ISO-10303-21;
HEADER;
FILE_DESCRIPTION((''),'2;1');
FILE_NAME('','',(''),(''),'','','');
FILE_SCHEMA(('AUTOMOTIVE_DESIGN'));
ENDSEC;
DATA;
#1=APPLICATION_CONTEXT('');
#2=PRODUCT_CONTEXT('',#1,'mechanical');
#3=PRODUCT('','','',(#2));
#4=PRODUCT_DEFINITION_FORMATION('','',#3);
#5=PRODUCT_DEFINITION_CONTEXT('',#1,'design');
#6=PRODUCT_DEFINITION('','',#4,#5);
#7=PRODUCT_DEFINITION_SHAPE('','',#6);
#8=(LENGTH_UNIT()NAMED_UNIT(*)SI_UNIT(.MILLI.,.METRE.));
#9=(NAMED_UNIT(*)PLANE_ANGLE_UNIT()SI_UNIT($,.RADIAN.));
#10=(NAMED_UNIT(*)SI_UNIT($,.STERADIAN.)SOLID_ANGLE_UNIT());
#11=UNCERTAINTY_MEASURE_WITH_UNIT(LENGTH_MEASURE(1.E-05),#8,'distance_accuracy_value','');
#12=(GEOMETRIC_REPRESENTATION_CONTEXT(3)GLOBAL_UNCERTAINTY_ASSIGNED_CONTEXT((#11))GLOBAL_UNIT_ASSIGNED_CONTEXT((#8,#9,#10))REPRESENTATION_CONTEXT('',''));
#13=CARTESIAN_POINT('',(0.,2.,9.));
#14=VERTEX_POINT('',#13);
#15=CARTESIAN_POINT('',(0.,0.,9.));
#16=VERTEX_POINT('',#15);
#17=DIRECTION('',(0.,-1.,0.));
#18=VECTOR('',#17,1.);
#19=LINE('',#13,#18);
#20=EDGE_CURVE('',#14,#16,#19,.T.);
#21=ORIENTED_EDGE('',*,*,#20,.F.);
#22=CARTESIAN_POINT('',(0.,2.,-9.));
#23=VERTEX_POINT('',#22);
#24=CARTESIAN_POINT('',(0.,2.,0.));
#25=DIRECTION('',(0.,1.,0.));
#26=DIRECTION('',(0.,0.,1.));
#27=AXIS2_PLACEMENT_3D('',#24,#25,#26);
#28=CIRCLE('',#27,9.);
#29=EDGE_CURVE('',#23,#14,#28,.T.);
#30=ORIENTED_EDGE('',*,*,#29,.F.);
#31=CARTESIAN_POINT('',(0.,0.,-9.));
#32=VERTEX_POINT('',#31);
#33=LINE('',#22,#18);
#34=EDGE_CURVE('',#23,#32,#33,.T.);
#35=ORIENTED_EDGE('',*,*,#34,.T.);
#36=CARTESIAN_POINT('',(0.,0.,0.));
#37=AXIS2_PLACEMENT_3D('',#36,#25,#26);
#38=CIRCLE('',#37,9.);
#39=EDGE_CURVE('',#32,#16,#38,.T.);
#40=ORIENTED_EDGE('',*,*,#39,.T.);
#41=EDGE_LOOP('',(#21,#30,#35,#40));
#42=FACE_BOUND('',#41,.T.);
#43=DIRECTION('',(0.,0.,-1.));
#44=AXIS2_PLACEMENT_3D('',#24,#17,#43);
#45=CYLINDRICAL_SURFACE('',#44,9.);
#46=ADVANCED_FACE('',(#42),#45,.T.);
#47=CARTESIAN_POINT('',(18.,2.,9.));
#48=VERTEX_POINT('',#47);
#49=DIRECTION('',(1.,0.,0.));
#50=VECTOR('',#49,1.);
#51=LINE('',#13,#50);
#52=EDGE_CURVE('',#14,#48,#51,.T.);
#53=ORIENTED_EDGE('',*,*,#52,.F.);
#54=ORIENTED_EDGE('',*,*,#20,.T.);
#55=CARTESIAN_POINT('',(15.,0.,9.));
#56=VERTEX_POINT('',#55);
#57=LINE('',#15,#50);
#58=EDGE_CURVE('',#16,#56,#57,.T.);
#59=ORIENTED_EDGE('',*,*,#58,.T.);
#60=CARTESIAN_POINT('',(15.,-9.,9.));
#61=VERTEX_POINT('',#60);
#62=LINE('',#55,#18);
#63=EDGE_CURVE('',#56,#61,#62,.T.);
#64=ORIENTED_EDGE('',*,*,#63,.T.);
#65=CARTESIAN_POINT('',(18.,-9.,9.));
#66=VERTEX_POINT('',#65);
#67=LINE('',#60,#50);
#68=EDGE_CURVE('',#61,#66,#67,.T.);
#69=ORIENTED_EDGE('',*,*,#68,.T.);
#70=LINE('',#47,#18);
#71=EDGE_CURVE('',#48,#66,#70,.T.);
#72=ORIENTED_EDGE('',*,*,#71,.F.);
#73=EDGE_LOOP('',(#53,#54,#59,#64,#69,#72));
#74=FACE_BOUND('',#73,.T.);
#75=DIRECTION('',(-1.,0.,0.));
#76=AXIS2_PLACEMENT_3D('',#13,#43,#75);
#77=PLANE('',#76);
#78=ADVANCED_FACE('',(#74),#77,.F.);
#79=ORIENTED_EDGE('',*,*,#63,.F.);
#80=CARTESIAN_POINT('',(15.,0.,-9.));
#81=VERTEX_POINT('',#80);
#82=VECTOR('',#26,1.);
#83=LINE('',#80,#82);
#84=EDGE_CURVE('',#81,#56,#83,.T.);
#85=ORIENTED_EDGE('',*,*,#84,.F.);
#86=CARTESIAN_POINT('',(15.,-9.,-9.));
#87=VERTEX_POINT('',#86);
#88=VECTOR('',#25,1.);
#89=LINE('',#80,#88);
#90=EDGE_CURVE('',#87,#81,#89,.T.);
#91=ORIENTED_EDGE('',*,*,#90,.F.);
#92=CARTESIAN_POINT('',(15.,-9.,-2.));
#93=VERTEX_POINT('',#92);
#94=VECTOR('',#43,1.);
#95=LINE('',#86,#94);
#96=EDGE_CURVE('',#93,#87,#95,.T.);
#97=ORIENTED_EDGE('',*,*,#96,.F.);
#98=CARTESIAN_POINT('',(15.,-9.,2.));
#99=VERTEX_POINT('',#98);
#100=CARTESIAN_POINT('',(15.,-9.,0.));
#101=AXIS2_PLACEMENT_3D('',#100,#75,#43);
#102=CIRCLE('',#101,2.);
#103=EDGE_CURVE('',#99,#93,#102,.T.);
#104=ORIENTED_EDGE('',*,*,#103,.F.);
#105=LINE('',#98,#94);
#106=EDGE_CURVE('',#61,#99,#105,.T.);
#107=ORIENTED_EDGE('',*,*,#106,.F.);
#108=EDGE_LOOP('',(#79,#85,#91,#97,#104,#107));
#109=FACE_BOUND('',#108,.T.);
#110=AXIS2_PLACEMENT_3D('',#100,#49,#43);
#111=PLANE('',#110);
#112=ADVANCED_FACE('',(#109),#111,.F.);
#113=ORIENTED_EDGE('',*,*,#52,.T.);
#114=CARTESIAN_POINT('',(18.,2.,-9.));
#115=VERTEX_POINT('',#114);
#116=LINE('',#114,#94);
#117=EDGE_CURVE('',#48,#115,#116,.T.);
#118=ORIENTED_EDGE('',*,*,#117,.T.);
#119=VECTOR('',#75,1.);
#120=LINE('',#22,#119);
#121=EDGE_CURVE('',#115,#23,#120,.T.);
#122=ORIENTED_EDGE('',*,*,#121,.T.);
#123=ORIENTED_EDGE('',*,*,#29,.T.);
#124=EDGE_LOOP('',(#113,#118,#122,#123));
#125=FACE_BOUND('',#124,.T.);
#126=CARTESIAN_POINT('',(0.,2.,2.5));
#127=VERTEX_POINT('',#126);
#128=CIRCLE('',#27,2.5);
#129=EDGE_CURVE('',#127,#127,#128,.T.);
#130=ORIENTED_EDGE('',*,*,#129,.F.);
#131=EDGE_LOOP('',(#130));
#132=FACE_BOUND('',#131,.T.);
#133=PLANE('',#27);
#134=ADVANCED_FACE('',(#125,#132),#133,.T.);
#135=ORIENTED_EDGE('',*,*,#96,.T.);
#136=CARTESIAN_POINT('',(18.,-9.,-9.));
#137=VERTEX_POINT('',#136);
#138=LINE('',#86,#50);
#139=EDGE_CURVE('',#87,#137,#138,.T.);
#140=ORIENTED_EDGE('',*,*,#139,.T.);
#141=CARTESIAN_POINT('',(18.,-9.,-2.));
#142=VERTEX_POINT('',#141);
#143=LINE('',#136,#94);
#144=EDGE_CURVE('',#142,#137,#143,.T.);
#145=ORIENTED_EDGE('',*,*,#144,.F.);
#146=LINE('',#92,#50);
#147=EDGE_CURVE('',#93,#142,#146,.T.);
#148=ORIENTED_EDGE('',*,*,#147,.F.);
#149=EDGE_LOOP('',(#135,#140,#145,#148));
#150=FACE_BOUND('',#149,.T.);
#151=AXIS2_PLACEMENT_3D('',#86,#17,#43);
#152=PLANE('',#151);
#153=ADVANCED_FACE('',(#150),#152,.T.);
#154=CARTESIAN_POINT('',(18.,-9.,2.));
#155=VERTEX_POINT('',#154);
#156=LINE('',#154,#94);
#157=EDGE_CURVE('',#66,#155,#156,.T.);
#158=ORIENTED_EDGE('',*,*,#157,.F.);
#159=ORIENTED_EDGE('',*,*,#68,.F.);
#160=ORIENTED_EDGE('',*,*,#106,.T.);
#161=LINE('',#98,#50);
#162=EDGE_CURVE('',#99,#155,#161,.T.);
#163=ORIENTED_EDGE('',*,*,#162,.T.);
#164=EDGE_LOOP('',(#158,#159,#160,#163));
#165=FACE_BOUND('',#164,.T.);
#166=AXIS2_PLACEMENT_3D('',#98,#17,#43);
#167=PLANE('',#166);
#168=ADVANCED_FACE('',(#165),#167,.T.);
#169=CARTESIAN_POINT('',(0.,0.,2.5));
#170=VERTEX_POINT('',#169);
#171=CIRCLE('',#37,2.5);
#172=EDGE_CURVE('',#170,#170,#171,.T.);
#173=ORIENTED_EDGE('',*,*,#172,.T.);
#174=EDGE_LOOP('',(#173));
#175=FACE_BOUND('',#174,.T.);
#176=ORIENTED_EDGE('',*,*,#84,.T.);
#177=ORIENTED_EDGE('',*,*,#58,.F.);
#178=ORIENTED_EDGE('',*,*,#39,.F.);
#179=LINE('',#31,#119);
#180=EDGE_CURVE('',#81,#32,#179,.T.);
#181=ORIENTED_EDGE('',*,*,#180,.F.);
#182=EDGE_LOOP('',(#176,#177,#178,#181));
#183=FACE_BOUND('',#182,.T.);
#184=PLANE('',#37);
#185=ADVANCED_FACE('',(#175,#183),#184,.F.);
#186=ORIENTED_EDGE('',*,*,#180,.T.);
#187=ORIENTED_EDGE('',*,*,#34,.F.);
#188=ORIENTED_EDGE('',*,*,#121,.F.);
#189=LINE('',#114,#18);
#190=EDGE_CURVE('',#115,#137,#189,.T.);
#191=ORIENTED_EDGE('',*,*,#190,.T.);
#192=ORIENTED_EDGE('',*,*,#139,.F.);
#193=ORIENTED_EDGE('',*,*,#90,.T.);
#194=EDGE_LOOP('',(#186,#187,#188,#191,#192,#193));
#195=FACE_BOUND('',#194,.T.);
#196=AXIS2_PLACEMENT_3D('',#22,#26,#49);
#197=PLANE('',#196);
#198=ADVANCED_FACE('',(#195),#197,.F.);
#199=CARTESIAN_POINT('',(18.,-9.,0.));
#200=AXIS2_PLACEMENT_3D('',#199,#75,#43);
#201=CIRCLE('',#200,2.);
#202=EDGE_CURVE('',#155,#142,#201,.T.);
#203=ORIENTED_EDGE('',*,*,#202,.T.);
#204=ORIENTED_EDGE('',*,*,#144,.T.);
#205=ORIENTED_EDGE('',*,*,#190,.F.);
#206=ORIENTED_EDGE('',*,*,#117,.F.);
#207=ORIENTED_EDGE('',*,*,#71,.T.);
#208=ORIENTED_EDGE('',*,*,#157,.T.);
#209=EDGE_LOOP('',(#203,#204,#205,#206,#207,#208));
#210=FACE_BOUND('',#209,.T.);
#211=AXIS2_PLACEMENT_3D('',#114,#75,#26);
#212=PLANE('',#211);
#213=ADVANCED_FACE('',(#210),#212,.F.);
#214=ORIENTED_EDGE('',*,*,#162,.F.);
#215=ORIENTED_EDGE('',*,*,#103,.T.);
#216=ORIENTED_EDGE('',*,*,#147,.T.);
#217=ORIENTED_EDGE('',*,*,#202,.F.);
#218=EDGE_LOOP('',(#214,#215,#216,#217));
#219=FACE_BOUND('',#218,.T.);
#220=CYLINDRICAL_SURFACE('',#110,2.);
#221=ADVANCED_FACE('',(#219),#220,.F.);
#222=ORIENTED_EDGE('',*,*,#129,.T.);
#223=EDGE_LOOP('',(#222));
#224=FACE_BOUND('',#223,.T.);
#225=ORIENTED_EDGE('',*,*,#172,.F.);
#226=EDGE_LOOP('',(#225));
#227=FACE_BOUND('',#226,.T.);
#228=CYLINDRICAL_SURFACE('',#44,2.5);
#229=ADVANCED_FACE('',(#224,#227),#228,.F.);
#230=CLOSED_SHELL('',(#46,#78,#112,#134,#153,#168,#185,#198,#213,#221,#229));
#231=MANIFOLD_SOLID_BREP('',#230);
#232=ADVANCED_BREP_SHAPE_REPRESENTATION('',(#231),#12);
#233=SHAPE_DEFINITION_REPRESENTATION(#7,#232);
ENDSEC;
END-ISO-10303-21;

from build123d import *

# Parameters (mm, degrees)
SKETCH1_R           = 2.5
BOSS_EXTRUDE1_DEPTH = 2
BOSS_EXTRUDE2_DEPTH = 3


with BuildPart() as part:
    # Sketch1 → Boss-Extrude1 (new body)
    with BuildSketch(Plane(origin=(0, 0, 0), x_dir=(1, 0, 0), z_dir=(0, 1, 0))):
        with BuildLine():
            Line((0, 9), (18, 9))
            Line((18, 9), (18, -9))
            Line((18, -9), (0, -9))
            ThreePointArc((0, -9), (-9, 0), (0, 9))
        make_face()
        with Locations(Location((0, 0, 0), (0, 0, 270))):
            Circle(SKETCH1_R, mode=Mode.SUBTRACT)
    extrude(amount=BOSS_EXTRUDE1_DEPTH)

    # Sketch2 → Boss-Extrude2 (add)
    with BuildSketch(Plane(origin=(18, 0, 0), x_dir=(0, 0, -1), z_dir=(1, 0, 0))):
        with BuildLine():
            Line((9, 0), (-9, 0))
            Line((-9, 0), (-9, -9))
            Line((-9, -9), (-2, -9))
            ThreePointArc((-2, -9), (0, -7), (2, -9))
            Line((2, -9), (9, -9))
            Line((9, -9), (9, 0))
        make_face()
    extrude(amount=-BOSS_EXTRUDE2_DEPTH)


solid = part.part
